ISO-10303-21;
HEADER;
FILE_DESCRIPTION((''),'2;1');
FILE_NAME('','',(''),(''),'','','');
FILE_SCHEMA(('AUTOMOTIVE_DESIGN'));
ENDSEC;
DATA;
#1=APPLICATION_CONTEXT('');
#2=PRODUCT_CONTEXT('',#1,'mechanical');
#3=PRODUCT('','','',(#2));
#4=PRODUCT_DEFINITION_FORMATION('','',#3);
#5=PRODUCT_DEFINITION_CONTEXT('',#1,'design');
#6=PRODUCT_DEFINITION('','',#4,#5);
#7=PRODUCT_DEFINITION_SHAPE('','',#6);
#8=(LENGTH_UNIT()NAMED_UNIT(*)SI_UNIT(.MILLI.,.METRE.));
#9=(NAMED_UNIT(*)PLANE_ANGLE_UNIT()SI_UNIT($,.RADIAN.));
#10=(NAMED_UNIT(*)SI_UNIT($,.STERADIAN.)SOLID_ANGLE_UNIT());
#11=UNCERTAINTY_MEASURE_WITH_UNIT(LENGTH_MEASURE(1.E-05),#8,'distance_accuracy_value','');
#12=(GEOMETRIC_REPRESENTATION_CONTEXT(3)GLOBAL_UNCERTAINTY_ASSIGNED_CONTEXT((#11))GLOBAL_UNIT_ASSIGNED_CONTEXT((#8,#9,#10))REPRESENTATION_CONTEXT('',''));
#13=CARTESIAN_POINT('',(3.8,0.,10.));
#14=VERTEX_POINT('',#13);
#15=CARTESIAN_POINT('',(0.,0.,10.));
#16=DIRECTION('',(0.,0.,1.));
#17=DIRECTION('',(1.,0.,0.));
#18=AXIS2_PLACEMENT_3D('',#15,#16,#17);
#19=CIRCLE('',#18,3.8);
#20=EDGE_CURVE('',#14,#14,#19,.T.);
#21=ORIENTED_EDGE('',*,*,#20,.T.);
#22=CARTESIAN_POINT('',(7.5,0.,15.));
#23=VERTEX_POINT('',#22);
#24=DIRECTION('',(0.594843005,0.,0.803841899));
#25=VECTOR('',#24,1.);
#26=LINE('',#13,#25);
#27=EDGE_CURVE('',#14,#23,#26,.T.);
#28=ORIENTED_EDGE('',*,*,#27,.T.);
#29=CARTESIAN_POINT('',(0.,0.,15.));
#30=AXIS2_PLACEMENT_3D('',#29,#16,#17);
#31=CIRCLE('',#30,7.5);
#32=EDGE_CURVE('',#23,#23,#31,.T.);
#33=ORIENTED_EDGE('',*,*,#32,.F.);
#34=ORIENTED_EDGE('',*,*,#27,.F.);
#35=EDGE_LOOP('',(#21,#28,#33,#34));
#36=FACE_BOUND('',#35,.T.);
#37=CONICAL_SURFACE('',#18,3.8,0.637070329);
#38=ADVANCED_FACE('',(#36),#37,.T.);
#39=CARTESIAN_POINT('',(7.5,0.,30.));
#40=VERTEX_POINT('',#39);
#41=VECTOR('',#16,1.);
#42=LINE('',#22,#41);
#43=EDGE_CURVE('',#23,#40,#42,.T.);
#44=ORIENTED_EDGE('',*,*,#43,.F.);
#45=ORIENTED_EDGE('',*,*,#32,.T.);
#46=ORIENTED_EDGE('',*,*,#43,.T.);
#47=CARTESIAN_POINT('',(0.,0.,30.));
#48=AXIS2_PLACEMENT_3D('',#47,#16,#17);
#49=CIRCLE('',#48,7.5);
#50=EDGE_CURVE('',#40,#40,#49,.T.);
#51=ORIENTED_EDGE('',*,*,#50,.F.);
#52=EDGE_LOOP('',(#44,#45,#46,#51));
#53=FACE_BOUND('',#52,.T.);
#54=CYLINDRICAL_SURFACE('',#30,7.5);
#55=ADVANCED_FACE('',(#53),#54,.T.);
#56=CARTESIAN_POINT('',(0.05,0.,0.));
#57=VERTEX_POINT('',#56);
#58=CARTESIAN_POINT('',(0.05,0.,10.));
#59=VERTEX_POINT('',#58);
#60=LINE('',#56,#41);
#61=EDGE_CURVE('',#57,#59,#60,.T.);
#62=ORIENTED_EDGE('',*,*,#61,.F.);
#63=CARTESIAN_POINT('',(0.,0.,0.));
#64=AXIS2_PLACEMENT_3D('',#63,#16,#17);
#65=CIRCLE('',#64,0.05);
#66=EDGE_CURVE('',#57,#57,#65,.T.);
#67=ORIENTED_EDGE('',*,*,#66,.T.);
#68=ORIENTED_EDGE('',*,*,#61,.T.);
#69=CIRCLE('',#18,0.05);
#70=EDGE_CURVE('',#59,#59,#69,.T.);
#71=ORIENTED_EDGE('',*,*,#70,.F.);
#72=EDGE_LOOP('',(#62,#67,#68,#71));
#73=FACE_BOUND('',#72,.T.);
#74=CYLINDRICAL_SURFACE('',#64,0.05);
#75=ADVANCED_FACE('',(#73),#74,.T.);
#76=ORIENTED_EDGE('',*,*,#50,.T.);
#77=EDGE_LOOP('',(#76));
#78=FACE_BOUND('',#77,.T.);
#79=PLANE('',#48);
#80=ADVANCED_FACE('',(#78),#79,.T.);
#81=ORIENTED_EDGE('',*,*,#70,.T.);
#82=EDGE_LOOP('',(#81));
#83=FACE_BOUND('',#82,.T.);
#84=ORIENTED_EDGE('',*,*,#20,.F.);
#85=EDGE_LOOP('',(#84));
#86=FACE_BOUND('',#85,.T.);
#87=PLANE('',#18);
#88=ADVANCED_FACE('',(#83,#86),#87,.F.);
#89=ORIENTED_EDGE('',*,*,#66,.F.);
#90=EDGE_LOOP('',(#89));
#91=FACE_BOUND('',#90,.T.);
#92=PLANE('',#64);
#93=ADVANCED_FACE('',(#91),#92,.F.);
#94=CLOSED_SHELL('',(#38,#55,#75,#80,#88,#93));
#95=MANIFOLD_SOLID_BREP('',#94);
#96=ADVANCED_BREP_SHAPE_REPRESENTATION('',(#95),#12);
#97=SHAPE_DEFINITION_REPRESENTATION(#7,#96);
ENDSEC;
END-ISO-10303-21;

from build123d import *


with BuildPart() as part:
    # Sketch → Revolution (revolve)
    with BuildSketch(Plane.XZ):
        Polygon((0, 30), (0, 0), (0.05, 0), (0.05, 10), (3.8, 10), (7.5, 15), (7.5, 30), align=None)
    revolve(axis=Axis((0, 0, 0), (0, 0, 1)))


solid = part.part
